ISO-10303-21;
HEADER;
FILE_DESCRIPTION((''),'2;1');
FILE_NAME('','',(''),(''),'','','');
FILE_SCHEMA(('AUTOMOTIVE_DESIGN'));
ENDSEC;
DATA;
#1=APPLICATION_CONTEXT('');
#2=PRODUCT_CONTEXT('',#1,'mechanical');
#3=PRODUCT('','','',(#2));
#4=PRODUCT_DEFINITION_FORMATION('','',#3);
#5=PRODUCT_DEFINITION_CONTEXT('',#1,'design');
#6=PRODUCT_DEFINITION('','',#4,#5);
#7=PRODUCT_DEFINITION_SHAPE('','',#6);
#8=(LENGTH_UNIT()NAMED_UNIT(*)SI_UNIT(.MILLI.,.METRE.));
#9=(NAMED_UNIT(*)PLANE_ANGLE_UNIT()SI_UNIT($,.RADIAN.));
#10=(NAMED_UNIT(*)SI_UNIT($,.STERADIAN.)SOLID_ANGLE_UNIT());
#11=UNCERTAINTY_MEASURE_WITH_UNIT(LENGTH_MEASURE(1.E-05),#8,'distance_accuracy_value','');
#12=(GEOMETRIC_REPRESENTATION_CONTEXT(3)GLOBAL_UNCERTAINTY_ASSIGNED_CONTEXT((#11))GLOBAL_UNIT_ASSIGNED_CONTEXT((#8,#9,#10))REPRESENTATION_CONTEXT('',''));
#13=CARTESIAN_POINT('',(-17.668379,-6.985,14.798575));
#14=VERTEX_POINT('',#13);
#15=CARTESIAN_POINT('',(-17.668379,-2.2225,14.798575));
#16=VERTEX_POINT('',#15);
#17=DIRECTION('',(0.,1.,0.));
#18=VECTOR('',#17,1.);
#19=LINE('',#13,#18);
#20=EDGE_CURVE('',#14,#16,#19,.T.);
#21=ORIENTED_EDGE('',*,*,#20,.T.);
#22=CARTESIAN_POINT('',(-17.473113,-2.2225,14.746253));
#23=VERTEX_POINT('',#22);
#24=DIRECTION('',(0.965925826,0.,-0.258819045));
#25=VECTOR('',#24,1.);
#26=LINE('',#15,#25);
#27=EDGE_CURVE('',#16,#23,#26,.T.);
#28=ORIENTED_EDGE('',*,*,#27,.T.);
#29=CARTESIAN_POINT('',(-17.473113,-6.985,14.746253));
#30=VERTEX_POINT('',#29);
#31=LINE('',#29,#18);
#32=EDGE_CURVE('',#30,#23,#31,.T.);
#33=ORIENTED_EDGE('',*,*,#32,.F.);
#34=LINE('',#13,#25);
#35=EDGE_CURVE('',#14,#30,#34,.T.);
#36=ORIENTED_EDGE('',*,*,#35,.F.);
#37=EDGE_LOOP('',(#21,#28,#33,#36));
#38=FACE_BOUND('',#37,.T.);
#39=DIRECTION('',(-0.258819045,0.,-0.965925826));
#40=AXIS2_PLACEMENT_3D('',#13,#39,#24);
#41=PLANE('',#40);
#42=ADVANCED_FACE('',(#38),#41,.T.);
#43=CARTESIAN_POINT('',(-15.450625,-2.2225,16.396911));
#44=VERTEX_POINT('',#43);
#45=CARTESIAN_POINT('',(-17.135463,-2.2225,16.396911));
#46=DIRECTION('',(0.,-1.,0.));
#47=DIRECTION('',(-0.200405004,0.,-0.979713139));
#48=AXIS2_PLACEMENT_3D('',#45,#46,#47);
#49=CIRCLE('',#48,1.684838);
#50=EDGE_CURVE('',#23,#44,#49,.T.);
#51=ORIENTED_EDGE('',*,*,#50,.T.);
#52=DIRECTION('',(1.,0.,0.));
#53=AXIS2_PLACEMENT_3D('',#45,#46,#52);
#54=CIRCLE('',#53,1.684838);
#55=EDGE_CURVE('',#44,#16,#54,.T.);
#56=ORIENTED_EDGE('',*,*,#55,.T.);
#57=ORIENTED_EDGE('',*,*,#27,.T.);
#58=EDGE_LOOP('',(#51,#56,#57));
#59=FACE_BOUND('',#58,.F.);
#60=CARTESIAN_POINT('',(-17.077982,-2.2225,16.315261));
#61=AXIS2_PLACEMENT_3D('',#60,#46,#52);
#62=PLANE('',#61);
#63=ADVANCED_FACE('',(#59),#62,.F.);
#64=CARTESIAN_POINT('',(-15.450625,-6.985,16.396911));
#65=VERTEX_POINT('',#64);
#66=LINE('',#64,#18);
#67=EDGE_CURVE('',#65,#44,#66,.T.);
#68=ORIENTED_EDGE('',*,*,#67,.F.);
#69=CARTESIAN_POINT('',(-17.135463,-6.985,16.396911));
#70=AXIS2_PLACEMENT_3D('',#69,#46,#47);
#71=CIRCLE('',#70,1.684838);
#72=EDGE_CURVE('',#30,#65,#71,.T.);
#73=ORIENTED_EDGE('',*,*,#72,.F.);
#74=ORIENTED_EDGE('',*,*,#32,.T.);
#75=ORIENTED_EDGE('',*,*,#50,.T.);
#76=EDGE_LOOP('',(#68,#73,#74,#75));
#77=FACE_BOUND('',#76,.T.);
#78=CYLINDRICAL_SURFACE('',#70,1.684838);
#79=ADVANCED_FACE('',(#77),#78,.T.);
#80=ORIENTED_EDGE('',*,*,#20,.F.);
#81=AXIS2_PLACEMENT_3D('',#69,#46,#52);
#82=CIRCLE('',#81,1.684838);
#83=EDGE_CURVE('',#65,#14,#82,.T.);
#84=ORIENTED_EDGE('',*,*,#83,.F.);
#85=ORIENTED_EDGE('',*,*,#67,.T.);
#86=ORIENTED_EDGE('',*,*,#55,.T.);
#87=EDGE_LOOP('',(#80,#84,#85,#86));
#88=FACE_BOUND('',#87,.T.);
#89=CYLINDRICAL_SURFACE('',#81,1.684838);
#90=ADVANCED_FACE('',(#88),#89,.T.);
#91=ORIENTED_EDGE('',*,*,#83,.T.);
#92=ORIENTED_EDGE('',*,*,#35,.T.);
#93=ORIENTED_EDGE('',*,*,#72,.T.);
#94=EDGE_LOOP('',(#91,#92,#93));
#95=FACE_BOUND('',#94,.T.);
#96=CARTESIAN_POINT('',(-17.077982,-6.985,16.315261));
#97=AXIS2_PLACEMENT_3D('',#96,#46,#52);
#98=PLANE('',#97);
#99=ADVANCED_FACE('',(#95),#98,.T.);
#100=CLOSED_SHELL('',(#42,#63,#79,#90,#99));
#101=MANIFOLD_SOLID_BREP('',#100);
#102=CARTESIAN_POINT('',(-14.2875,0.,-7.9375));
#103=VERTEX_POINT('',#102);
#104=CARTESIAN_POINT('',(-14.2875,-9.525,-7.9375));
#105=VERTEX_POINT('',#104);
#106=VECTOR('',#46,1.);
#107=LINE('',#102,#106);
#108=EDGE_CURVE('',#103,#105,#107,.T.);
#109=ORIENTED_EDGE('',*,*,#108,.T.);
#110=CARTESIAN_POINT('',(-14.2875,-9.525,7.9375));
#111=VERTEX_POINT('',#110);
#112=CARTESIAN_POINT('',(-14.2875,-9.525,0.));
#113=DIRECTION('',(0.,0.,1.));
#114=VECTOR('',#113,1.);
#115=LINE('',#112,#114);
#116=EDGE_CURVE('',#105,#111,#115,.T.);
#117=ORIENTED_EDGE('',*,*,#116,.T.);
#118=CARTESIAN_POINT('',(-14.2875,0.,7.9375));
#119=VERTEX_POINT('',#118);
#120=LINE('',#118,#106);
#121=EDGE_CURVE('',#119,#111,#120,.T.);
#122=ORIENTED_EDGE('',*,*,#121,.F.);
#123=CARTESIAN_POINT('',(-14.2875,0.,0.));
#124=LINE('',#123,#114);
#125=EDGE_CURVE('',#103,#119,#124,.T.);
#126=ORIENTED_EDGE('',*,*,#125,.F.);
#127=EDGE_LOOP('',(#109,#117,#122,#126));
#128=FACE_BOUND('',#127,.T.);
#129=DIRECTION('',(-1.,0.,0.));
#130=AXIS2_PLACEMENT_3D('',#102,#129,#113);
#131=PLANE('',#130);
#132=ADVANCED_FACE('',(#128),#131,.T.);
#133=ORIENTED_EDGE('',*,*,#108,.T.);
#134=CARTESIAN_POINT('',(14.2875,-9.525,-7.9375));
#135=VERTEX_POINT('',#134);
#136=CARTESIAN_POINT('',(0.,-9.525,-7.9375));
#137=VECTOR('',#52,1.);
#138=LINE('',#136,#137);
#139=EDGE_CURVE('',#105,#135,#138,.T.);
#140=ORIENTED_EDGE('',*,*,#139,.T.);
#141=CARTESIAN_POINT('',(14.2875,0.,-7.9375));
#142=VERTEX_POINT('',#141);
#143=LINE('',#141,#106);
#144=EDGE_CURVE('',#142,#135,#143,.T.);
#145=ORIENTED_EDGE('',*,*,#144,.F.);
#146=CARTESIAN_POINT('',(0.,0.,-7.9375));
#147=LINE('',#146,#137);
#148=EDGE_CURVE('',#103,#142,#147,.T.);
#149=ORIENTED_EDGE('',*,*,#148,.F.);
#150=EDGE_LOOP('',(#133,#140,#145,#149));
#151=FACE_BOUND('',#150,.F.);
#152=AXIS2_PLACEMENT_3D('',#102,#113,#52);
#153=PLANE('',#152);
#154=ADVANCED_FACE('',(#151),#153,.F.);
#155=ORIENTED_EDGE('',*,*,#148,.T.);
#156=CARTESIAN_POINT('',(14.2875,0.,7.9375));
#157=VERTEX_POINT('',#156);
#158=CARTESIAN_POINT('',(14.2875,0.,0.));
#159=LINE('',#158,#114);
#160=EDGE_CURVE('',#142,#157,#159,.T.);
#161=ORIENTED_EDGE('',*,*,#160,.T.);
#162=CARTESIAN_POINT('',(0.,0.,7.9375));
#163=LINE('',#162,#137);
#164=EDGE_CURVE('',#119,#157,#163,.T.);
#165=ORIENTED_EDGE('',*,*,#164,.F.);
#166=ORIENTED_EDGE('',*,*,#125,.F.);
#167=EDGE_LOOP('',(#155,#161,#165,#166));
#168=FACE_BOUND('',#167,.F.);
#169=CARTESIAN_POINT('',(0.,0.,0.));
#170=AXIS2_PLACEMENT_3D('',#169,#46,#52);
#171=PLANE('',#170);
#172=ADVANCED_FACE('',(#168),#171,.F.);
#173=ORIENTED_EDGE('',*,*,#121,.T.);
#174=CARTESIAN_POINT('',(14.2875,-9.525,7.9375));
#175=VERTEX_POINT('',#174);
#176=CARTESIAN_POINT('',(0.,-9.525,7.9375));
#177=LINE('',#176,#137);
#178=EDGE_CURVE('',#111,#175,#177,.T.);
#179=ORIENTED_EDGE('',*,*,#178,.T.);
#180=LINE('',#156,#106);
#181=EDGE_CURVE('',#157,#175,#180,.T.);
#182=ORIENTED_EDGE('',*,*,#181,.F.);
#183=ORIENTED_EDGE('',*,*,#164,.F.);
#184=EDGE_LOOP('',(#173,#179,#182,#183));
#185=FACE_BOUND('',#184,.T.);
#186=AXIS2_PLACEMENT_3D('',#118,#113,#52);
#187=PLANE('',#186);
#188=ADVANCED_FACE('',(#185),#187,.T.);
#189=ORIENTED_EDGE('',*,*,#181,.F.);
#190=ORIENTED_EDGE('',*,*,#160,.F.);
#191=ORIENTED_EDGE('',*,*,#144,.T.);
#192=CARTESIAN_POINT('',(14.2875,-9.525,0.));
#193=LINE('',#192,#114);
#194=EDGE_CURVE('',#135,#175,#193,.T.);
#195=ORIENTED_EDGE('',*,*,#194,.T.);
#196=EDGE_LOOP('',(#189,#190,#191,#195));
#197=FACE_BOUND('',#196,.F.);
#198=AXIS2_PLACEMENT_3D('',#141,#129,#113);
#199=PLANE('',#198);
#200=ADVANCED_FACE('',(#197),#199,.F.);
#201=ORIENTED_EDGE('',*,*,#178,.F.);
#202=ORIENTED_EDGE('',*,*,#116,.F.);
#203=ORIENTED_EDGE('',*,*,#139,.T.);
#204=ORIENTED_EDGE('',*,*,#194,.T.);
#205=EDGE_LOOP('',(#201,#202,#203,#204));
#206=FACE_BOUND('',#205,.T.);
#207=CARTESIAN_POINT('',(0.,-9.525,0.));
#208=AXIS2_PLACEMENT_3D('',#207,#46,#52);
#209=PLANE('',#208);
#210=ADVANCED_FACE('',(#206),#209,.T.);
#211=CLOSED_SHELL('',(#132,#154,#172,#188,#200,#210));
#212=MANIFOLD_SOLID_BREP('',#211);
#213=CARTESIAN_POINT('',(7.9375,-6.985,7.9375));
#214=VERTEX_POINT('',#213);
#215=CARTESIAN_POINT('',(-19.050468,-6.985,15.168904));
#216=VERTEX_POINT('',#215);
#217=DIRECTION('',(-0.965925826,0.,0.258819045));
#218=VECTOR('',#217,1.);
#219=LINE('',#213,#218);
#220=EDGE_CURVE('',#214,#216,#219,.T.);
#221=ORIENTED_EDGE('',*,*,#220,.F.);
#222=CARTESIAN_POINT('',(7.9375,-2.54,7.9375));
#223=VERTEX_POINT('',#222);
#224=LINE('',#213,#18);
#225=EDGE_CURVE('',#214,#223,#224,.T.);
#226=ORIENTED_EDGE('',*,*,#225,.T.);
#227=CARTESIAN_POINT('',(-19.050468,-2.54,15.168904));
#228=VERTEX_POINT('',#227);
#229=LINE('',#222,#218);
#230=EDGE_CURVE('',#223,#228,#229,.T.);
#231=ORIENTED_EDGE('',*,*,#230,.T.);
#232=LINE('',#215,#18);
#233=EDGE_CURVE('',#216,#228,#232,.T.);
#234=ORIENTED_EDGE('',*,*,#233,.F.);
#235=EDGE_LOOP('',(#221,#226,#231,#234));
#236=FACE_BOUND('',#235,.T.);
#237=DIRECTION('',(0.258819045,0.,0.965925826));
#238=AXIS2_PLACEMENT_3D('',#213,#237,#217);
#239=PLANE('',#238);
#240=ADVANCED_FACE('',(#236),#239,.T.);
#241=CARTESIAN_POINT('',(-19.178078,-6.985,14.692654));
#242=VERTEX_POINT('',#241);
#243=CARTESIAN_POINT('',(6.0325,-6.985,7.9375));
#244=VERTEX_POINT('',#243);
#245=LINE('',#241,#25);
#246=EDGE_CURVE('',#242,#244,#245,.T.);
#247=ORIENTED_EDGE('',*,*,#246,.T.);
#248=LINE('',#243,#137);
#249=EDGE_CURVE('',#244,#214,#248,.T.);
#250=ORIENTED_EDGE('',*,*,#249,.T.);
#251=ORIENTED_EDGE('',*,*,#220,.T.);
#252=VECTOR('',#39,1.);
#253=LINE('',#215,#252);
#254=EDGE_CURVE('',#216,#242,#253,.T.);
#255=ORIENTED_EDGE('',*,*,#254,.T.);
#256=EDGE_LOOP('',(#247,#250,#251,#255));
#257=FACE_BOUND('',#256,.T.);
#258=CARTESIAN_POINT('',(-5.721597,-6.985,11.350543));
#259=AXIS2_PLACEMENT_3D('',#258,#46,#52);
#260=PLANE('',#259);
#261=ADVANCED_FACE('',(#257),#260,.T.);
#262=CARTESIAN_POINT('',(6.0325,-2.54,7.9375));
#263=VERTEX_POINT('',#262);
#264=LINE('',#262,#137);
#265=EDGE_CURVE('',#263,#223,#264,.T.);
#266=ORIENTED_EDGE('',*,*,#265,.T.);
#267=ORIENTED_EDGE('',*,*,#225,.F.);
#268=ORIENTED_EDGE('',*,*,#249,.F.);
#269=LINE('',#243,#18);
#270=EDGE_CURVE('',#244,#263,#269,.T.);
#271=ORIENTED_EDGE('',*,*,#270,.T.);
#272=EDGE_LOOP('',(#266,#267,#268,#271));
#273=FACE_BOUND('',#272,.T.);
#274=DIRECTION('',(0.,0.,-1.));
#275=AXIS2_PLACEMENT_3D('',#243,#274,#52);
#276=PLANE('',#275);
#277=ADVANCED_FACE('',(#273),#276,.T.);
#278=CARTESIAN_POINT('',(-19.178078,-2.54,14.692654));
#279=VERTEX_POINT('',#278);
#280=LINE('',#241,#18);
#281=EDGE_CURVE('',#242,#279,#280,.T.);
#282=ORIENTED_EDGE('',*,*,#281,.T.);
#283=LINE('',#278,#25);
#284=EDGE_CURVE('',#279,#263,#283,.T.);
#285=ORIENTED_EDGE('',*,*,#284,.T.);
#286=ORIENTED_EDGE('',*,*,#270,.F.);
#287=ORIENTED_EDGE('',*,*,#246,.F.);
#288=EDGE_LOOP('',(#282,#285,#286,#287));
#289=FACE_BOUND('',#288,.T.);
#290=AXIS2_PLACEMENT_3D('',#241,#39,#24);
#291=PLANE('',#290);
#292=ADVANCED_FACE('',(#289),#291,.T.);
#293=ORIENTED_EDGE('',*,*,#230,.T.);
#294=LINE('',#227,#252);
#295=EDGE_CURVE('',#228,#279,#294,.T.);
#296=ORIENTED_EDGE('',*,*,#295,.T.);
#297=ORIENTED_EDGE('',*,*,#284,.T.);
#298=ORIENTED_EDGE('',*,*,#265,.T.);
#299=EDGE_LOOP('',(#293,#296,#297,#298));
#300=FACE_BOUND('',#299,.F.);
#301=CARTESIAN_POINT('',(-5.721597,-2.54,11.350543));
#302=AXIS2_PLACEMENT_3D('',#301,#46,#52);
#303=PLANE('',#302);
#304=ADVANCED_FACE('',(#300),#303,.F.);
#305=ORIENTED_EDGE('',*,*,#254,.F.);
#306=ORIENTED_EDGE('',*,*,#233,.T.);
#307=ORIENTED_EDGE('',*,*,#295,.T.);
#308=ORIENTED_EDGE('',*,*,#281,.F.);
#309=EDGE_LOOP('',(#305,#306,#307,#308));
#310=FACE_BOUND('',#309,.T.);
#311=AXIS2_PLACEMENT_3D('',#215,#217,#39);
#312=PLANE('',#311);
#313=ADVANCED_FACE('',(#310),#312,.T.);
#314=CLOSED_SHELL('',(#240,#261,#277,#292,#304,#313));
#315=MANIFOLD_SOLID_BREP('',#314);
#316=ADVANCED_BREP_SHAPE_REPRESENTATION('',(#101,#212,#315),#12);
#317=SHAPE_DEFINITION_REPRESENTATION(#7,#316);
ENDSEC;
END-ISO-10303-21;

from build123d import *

# Parameters (mm, degrees)
F0_W     = 28.575
F0_H     = 15.875
F1_DEPTH = 9.525
F3_START = -2.54
F3_DEPTH = 4.445
F5_DEPTH = 4.7625


with BuildPart() as f1:
    # F0 (on Front) → F1 (new body)
    with BuildSketch(Plane.XZ):
        Rectangle(F0_W, F0_H)
    extrude(amount=F1_DEPTH)


with BuildPart() as f3:
    # F2 (on face) → F3 (new body)
    with BuildSketch(Plane.XZ.offset(9.525).offset(F3_START)):
        Polygon((-19.1780783894, 14.6926541202), (6.0325, 7.9375), (7.9375, 7.9375), (-19.0504675865, 15.1689041202), align=None)
    extrude(amount=-F3_DEPTH)


with BuildPart() as f5:
    # F4 (on face) → F5 (new body)
    with BuildSketch(Plane.XZ.offset(6.985)):
        with BuildLine():
            ThreePointArc((-17.4731130829, 14.7462532547), (-16.0701477194, 15.0916210747), (-15.4506250494, 16.3969112355))
            ThreePointArc((-15.4506250494, 16.3969112355), (-18.1205526718, 17.7637608334), (-17.6683786385, 14.7985745027))
            Line((-17.6683786385, 14.7985745027), (-17.4731130829, 14.7462532547))
        make_face()
    extrude(amount=-F5_DEPTH)


solid = Compound([f1.part, f3.part, f5.part])
